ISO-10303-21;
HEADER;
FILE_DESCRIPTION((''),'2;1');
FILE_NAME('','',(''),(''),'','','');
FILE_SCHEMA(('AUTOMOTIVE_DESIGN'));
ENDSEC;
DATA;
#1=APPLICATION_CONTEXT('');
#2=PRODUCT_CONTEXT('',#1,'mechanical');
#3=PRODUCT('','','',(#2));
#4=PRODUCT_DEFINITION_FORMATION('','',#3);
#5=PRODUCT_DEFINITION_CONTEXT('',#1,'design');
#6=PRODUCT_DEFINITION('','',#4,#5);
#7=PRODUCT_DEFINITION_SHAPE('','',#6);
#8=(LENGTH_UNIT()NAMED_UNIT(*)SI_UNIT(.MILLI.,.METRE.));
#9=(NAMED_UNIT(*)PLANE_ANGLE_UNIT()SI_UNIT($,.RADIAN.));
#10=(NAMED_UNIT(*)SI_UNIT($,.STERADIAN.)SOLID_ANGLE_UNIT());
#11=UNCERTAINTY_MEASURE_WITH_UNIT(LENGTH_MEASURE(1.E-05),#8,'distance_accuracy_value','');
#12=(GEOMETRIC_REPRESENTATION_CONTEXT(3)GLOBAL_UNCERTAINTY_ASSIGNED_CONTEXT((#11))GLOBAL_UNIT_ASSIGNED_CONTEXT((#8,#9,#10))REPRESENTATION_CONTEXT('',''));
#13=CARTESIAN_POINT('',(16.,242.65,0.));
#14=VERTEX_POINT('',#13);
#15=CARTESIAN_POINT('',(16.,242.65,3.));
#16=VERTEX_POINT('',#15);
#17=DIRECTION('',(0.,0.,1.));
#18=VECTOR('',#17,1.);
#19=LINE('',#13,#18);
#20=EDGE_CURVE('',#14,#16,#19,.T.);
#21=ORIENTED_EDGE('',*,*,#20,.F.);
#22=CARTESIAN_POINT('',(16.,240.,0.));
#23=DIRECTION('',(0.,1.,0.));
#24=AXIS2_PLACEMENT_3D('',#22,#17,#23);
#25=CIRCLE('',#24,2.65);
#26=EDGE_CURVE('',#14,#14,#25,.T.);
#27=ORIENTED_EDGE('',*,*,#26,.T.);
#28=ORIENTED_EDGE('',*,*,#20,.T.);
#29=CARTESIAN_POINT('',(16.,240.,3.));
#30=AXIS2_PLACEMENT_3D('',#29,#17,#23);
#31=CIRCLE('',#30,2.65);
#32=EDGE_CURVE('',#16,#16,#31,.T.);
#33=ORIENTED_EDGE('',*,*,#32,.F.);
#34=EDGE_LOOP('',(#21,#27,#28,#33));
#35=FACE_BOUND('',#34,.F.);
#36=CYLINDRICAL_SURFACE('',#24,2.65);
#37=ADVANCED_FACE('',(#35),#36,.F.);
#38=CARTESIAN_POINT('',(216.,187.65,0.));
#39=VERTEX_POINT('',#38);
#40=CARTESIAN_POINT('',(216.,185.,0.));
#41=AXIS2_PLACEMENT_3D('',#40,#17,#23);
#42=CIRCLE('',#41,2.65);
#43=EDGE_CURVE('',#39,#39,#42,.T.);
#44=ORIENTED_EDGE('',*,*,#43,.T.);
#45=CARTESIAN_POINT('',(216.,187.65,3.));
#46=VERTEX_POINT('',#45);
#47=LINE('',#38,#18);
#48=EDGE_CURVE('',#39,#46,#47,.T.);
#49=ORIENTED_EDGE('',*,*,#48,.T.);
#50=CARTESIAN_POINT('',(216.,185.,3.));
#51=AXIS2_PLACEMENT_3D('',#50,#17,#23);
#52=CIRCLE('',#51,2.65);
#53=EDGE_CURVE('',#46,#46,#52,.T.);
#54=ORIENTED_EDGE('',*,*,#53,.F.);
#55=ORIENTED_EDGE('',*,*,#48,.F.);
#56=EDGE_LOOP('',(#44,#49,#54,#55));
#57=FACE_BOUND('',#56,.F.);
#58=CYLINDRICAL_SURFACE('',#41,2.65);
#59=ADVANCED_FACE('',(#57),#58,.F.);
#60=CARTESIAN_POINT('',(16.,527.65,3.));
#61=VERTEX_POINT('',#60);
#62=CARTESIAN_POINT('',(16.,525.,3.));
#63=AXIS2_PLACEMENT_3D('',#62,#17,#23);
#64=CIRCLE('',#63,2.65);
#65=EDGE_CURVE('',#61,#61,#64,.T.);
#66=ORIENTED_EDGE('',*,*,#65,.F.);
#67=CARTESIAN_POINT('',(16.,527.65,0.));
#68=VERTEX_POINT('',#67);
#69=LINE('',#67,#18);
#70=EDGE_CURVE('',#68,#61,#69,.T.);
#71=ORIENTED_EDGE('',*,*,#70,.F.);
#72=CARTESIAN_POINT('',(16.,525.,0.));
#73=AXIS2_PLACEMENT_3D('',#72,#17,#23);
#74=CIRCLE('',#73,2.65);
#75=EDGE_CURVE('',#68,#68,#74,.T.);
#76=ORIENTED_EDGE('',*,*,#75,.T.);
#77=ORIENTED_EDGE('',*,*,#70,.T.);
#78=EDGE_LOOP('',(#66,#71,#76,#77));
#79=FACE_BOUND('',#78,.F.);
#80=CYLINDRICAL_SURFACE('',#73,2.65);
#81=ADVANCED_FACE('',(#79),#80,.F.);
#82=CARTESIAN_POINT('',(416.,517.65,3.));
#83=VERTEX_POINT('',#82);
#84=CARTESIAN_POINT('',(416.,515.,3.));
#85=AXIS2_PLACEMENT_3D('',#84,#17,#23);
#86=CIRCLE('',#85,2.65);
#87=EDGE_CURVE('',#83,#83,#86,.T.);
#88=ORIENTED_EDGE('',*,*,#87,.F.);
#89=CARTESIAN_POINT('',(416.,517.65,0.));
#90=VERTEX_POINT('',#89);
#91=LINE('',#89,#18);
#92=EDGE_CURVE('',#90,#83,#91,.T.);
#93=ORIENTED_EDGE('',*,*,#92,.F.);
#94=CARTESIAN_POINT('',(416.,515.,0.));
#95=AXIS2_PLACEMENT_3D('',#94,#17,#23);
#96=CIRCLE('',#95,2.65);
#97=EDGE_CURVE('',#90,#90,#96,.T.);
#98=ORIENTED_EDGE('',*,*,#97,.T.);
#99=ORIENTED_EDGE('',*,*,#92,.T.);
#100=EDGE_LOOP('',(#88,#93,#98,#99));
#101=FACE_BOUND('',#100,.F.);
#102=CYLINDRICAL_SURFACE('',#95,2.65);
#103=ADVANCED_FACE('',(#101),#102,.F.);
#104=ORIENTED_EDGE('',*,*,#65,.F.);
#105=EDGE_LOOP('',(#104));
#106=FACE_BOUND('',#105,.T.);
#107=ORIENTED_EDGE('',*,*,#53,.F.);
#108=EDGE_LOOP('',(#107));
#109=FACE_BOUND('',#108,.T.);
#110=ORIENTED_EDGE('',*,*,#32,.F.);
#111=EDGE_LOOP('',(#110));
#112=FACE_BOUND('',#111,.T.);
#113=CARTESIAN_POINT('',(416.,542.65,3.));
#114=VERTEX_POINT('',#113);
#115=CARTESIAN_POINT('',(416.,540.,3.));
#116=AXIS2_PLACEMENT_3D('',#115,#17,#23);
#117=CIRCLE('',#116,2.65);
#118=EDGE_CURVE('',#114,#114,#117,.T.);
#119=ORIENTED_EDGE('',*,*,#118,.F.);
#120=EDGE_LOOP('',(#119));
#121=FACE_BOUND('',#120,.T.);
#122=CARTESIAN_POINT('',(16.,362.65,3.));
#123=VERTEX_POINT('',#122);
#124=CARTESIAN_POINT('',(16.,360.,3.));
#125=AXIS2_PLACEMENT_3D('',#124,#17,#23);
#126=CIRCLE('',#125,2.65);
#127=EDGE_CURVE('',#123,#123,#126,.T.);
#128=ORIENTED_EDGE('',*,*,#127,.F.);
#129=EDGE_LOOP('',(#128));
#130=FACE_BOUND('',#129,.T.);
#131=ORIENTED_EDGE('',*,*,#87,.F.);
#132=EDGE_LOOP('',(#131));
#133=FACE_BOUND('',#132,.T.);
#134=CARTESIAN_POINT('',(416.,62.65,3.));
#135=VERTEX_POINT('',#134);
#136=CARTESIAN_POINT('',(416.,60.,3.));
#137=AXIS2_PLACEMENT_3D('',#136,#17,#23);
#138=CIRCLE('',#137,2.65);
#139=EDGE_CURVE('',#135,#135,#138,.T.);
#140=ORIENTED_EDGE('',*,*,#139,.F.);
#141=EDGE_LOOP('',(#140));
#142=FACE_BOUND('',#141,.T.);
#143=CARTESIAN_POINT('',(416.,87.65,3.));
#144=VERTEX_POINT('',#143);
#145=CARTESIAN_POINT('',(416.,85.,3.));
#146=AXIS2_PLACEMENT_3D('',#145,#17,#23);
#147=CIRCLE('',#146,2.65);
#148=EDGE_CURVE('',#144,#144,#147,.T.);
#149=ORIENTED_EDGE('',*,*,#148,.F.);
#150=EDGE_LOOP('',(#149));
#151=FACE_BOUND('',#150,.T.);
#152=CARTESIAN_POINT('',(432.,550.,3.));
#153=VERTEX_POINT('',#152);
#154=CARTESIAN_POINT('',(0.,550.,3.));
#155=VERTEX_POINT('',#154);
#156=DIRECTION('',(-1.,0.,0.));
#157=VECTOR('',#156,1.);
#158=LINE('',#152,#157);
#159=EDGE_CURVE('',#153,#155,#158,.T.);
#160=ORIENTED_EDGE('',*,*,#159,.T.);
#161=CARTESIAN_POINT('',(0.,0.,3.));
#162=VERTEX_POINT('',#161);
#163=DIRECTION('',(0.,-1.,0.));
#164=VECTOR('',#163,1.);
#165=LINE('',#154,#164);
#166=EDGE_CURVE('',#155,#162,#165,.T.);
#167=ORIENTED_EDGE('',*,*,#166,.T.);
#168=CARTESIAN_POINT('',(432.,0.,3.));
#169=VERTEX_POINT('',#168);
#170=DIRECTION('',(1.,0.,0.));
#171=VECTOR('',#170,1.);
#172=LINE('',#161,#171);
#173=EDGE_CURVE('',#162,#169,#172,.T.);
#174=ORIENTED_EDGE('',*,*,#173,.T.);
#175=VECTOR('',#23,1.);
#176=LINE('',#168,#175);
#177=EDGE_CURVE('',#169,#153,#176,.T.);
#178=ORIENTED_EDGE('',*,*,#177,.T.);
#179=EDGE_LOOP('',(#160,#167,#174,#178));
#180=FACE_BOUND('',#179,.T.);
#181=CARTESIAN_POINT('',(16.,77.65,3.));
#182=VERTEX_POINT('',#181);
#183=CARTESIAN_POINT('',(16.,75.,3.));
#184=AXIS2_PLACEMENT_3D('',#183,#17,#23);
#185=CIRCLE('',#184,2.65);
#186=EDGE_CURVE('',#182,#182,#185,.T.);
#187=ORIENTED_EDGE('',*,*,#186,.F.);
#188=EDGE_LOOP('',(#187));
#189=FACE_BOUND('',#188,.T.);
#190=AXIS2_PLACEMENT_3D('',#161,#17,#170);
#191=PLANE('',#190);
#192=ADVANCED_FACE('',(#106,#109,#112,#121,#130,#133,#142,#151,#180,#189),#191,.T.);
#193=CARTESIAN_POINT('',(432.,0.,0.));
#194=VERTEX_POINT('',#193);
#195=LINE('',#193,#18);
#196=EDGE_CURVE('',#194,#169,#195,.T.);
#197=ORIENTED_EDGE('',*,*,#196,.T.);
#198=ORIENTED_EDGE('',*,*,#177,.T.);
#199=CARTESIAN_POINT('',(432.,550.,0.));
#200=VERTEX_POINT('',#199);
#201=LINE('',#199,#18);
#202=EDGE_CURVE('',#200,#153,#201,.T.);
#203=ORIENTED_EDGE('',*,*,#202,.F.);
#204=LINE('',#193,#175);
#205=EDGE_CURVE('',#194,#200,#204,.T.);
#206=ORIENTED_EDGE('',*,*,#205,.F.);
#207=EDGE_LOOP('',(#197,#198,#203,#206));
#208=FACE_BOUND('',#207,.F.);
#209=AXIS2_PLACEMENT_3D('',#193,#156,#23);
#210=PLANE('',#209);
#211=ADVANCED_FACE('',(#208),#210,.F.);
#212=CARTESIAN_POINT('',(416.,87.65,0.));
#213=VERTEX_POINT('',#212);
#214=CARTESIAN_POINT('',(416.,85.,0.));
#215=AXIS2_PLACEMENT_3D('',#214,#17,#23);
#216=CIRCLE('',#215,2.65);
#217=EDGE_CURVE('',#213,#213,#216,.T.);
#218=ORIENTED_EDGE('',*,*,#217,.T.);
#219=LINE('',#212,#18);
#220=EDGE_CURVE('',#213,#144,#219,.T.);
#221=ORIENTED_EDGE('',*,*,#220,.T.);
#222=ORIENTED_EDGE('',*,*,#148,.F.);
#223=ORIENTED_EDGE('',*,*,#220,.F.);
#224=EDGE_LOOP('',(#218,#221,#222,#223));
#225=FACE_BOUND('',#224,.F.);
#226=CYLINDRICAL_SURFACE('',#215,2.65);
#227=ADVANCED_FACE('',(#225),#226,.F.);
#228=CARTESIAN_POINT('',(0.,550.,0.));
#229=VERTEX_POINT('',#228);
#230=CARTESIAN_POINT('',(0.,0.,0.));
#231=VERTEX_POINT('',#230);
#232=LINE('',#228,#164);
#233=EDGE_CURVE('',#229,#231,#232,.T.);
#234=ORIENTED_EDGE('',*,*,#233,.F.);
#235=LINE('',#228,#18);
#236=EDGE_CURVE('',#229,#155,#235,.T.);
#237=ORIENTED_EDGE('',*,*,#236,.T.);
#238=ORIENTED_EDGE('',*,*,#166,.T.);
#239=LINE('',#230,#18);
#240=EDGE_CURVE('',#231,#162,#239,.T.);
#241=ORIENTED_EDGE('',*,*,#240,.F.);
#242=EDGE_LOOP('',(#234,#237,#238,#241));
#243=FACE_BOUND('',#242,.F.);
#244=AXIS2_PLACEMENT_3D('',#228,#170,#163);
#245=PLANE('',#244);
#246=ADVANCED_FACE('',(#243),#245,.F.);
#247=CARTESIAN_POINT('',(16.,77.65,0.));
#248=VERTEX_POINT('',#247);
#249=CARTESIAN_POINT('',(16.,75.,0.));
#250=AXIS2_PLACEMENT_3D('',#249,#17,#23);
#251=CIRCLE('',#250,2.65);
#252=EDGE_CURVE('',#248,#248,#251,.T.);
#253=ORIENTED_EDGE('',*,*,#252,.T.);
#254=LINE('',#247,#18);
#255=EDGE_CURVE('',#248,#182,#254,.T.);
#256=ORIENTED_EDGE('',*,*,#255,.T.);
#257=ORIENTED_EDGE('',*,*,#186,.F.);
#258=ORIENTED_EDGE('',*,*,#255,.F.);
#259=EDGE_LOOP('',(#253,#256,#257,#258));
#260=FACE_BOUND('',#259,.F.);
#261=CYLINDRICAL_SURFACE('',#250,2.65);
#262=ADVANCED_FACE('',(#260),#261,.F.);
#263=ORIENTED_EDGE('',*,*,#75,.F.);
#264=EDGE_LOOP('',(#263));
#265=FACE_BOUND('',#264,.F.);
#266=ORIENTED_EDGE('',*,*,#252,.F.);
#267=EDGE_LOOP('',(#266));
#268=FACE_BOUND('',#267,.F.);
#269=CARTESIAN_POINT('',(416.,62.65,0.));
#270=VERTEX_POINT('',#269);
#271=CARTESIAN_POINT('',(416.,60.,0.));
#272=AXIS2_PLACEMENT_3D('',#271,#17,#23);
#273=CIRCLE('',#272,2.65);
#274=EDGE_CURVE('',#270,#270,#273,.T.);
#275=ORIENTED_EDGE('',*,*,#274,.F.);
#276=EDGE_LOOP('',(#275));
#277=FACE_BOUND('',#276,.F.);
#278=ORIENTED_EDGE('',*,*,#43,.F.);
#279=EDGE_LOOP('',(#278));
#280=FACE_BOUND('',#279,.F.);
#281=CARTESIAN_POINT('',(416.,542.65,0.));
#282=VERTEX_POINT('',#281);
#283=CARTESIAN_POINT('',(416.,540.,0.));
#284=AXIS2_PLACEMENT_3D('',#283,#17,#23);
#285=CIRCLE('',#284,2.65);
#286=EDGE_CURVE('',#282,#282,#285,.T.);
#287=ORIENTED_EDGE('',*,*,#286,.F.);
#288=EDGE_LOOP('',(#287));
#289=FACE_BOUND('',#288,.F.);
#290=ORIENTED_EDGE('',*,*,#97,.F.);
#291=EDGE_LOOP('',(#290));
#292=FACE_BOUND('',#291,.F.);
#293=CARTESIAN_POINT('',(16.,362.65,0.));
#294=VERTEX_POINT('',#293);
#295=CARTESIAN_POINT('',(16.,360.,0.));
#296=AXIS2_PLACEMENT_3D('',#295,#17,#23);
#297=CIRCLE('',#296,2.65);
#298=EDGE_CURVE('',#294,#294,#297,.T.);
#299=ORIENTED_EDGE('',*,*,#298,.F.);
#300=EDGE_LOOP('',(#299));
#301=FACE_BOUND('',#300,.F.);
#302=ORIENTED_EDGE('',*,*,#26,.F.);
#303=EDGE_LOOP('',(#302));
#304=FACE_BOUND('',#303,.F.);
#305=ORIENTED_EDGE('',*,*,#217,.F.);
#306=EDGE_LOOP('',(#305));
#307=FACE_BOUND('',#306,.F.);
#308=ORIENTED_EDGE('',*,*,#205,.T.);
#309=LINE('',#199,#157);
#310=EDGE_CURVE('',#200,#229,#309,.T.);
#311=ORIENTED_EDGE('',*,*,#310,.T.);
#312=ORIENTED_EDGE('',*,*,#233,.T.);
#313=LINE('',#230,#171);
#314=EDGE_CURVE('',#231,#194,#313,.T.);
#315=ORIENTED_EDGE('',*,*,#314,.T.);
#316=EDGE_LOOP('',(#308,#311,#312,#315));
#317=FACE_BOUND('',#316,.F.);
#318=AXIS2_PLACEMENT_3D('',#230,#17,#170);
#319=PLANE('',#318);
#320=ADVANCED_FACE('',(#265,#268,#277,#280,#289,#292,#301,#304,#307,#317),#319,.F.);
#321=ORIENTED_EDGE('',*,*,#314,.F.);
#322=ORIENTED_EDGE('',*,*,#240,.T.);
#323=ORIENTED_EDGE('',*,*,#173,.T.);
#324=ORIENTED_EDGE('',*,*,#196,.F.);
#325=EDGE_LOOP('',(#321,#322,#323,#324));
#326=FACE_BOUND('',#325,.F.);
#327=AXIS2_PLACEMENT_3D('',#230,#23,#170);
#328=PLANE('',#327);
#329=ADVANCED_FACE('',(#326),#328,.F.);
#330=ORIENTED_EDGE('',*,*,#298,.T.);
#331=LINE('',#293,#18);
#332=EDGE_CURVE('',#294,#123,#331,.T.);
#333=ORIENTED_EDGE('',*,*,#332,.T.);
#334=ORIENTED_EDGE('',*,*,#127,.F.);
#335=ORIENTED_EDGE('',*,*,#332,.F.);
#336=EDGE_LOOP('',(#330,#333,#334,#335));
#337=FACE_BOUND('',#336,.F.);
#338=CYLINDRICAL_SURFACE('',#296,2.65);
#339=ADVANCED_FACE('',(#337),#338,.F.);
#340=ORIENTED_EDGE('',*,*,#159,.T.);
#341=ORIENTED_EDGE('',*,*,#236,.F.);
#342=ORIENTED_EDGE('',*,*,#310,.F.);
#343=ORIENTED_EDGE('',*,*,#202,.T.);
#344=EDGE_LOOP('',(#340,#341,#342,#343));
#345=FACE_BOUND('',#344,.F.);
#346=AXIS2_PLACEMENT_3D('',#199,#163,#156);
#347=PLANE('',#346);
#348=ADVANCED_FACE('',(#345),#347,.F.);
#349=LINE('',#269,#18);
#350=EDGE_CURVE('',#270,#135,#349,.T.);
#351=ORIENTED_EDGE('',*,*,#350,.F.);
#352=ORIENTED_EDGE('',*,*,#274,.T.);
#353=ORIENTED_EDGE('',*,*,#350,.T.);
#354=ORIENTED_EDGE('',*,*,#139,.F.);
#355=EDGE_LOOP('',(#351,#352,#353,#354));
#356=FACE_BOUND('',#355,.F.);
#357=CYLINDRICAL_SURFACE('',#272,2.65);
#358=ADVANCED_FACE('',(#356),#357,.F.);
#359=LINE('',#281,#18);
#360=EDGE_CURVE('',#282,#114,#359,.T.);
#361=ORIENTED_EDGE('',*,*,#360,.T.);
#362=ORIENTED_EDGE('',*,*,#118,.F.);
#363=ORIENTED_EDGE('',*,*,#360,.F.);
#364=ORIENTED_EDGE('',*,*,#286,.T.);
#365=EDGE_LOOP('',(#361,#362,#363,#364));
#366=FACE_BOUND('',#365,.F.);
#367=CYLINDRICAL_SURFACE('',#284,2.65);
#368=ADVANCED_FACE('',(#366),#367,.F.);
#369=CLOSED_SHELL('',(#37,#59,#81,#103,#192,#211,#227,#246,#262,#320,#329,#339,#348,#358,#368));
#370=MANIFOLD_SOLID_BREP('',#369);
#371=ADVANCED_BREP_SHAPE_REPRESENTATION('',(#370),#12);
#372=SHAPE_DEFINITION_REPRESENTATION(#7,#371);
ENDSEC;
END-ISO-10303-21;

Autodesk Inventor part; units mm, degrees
ref_plane "YZ Plane" through (0, 0, 0) normal (1, 0, 0) x (0, 1, 0)
ref_plane "XZ Plane" through (0, 0, 0) normal (0, 1, 0) x (-1, 0, 0)
ref_plane "XY Plane" through (0, 0, 0) normal (0, 0, 1) x (1, 0, 0)
sketch "Sketch1" plane through (0, 0, 0) normal (0, 0, 1) x (1, 0, 0)
  line L0 (0, 0) -> (432, 0)
  line L1 (432, 0) -> (432, 550)
  line L2 (432, 550) -> (0, 550)
  line L3 (0, 550) -> (0, 0)
  line L4 (26.4098, 50) -> (392.639, 50) construction
  line L5 (16, 512.9511) -> (16, 47.9511) construction
  line L6 (416, 495.7619) -> (416, 50) construction
  point P0 (416, 540)
  point P1 (416, 515)
  point P2 (416, 85)
  point P3 (416, 60)
  point P4 (16, 360)
  point P5 (16, 240)
  point P6 (216, 185)
  point P7 (16, 525)
  point P8 (16, 75)
  dimension "d0" = 432
  dimension "d1" = 550
  dimension "d2" = 10
  dimension "d3" = 25
  dimension "d4" = 490
  dimension "d5" = 25
  dimension "d7" = 120
  dimension "d8" = 190
  dimension "d10" = 500
  dimension "d11" = 135
  dimension "d12" = 200
  dimension "d13" = 25
  dimension "d14" = 25
  dimension "d15" = 16
  dimension "d16" = 16
extrude "Extrusion1" add sketch "Sketch1" along normal blind 3
hole "Hole1" at (416, 540, 0) at (416, 515, 0) at (416, 85, 0) at (416, 60, 0) at (16, 360, 0) at (16, 240, 0) at (216, 185, 0) at (16, 525, 0) at (16, 75, 0) direction (0, 0, 1) diameter 5.3 end through all
properties part number "front_door"
